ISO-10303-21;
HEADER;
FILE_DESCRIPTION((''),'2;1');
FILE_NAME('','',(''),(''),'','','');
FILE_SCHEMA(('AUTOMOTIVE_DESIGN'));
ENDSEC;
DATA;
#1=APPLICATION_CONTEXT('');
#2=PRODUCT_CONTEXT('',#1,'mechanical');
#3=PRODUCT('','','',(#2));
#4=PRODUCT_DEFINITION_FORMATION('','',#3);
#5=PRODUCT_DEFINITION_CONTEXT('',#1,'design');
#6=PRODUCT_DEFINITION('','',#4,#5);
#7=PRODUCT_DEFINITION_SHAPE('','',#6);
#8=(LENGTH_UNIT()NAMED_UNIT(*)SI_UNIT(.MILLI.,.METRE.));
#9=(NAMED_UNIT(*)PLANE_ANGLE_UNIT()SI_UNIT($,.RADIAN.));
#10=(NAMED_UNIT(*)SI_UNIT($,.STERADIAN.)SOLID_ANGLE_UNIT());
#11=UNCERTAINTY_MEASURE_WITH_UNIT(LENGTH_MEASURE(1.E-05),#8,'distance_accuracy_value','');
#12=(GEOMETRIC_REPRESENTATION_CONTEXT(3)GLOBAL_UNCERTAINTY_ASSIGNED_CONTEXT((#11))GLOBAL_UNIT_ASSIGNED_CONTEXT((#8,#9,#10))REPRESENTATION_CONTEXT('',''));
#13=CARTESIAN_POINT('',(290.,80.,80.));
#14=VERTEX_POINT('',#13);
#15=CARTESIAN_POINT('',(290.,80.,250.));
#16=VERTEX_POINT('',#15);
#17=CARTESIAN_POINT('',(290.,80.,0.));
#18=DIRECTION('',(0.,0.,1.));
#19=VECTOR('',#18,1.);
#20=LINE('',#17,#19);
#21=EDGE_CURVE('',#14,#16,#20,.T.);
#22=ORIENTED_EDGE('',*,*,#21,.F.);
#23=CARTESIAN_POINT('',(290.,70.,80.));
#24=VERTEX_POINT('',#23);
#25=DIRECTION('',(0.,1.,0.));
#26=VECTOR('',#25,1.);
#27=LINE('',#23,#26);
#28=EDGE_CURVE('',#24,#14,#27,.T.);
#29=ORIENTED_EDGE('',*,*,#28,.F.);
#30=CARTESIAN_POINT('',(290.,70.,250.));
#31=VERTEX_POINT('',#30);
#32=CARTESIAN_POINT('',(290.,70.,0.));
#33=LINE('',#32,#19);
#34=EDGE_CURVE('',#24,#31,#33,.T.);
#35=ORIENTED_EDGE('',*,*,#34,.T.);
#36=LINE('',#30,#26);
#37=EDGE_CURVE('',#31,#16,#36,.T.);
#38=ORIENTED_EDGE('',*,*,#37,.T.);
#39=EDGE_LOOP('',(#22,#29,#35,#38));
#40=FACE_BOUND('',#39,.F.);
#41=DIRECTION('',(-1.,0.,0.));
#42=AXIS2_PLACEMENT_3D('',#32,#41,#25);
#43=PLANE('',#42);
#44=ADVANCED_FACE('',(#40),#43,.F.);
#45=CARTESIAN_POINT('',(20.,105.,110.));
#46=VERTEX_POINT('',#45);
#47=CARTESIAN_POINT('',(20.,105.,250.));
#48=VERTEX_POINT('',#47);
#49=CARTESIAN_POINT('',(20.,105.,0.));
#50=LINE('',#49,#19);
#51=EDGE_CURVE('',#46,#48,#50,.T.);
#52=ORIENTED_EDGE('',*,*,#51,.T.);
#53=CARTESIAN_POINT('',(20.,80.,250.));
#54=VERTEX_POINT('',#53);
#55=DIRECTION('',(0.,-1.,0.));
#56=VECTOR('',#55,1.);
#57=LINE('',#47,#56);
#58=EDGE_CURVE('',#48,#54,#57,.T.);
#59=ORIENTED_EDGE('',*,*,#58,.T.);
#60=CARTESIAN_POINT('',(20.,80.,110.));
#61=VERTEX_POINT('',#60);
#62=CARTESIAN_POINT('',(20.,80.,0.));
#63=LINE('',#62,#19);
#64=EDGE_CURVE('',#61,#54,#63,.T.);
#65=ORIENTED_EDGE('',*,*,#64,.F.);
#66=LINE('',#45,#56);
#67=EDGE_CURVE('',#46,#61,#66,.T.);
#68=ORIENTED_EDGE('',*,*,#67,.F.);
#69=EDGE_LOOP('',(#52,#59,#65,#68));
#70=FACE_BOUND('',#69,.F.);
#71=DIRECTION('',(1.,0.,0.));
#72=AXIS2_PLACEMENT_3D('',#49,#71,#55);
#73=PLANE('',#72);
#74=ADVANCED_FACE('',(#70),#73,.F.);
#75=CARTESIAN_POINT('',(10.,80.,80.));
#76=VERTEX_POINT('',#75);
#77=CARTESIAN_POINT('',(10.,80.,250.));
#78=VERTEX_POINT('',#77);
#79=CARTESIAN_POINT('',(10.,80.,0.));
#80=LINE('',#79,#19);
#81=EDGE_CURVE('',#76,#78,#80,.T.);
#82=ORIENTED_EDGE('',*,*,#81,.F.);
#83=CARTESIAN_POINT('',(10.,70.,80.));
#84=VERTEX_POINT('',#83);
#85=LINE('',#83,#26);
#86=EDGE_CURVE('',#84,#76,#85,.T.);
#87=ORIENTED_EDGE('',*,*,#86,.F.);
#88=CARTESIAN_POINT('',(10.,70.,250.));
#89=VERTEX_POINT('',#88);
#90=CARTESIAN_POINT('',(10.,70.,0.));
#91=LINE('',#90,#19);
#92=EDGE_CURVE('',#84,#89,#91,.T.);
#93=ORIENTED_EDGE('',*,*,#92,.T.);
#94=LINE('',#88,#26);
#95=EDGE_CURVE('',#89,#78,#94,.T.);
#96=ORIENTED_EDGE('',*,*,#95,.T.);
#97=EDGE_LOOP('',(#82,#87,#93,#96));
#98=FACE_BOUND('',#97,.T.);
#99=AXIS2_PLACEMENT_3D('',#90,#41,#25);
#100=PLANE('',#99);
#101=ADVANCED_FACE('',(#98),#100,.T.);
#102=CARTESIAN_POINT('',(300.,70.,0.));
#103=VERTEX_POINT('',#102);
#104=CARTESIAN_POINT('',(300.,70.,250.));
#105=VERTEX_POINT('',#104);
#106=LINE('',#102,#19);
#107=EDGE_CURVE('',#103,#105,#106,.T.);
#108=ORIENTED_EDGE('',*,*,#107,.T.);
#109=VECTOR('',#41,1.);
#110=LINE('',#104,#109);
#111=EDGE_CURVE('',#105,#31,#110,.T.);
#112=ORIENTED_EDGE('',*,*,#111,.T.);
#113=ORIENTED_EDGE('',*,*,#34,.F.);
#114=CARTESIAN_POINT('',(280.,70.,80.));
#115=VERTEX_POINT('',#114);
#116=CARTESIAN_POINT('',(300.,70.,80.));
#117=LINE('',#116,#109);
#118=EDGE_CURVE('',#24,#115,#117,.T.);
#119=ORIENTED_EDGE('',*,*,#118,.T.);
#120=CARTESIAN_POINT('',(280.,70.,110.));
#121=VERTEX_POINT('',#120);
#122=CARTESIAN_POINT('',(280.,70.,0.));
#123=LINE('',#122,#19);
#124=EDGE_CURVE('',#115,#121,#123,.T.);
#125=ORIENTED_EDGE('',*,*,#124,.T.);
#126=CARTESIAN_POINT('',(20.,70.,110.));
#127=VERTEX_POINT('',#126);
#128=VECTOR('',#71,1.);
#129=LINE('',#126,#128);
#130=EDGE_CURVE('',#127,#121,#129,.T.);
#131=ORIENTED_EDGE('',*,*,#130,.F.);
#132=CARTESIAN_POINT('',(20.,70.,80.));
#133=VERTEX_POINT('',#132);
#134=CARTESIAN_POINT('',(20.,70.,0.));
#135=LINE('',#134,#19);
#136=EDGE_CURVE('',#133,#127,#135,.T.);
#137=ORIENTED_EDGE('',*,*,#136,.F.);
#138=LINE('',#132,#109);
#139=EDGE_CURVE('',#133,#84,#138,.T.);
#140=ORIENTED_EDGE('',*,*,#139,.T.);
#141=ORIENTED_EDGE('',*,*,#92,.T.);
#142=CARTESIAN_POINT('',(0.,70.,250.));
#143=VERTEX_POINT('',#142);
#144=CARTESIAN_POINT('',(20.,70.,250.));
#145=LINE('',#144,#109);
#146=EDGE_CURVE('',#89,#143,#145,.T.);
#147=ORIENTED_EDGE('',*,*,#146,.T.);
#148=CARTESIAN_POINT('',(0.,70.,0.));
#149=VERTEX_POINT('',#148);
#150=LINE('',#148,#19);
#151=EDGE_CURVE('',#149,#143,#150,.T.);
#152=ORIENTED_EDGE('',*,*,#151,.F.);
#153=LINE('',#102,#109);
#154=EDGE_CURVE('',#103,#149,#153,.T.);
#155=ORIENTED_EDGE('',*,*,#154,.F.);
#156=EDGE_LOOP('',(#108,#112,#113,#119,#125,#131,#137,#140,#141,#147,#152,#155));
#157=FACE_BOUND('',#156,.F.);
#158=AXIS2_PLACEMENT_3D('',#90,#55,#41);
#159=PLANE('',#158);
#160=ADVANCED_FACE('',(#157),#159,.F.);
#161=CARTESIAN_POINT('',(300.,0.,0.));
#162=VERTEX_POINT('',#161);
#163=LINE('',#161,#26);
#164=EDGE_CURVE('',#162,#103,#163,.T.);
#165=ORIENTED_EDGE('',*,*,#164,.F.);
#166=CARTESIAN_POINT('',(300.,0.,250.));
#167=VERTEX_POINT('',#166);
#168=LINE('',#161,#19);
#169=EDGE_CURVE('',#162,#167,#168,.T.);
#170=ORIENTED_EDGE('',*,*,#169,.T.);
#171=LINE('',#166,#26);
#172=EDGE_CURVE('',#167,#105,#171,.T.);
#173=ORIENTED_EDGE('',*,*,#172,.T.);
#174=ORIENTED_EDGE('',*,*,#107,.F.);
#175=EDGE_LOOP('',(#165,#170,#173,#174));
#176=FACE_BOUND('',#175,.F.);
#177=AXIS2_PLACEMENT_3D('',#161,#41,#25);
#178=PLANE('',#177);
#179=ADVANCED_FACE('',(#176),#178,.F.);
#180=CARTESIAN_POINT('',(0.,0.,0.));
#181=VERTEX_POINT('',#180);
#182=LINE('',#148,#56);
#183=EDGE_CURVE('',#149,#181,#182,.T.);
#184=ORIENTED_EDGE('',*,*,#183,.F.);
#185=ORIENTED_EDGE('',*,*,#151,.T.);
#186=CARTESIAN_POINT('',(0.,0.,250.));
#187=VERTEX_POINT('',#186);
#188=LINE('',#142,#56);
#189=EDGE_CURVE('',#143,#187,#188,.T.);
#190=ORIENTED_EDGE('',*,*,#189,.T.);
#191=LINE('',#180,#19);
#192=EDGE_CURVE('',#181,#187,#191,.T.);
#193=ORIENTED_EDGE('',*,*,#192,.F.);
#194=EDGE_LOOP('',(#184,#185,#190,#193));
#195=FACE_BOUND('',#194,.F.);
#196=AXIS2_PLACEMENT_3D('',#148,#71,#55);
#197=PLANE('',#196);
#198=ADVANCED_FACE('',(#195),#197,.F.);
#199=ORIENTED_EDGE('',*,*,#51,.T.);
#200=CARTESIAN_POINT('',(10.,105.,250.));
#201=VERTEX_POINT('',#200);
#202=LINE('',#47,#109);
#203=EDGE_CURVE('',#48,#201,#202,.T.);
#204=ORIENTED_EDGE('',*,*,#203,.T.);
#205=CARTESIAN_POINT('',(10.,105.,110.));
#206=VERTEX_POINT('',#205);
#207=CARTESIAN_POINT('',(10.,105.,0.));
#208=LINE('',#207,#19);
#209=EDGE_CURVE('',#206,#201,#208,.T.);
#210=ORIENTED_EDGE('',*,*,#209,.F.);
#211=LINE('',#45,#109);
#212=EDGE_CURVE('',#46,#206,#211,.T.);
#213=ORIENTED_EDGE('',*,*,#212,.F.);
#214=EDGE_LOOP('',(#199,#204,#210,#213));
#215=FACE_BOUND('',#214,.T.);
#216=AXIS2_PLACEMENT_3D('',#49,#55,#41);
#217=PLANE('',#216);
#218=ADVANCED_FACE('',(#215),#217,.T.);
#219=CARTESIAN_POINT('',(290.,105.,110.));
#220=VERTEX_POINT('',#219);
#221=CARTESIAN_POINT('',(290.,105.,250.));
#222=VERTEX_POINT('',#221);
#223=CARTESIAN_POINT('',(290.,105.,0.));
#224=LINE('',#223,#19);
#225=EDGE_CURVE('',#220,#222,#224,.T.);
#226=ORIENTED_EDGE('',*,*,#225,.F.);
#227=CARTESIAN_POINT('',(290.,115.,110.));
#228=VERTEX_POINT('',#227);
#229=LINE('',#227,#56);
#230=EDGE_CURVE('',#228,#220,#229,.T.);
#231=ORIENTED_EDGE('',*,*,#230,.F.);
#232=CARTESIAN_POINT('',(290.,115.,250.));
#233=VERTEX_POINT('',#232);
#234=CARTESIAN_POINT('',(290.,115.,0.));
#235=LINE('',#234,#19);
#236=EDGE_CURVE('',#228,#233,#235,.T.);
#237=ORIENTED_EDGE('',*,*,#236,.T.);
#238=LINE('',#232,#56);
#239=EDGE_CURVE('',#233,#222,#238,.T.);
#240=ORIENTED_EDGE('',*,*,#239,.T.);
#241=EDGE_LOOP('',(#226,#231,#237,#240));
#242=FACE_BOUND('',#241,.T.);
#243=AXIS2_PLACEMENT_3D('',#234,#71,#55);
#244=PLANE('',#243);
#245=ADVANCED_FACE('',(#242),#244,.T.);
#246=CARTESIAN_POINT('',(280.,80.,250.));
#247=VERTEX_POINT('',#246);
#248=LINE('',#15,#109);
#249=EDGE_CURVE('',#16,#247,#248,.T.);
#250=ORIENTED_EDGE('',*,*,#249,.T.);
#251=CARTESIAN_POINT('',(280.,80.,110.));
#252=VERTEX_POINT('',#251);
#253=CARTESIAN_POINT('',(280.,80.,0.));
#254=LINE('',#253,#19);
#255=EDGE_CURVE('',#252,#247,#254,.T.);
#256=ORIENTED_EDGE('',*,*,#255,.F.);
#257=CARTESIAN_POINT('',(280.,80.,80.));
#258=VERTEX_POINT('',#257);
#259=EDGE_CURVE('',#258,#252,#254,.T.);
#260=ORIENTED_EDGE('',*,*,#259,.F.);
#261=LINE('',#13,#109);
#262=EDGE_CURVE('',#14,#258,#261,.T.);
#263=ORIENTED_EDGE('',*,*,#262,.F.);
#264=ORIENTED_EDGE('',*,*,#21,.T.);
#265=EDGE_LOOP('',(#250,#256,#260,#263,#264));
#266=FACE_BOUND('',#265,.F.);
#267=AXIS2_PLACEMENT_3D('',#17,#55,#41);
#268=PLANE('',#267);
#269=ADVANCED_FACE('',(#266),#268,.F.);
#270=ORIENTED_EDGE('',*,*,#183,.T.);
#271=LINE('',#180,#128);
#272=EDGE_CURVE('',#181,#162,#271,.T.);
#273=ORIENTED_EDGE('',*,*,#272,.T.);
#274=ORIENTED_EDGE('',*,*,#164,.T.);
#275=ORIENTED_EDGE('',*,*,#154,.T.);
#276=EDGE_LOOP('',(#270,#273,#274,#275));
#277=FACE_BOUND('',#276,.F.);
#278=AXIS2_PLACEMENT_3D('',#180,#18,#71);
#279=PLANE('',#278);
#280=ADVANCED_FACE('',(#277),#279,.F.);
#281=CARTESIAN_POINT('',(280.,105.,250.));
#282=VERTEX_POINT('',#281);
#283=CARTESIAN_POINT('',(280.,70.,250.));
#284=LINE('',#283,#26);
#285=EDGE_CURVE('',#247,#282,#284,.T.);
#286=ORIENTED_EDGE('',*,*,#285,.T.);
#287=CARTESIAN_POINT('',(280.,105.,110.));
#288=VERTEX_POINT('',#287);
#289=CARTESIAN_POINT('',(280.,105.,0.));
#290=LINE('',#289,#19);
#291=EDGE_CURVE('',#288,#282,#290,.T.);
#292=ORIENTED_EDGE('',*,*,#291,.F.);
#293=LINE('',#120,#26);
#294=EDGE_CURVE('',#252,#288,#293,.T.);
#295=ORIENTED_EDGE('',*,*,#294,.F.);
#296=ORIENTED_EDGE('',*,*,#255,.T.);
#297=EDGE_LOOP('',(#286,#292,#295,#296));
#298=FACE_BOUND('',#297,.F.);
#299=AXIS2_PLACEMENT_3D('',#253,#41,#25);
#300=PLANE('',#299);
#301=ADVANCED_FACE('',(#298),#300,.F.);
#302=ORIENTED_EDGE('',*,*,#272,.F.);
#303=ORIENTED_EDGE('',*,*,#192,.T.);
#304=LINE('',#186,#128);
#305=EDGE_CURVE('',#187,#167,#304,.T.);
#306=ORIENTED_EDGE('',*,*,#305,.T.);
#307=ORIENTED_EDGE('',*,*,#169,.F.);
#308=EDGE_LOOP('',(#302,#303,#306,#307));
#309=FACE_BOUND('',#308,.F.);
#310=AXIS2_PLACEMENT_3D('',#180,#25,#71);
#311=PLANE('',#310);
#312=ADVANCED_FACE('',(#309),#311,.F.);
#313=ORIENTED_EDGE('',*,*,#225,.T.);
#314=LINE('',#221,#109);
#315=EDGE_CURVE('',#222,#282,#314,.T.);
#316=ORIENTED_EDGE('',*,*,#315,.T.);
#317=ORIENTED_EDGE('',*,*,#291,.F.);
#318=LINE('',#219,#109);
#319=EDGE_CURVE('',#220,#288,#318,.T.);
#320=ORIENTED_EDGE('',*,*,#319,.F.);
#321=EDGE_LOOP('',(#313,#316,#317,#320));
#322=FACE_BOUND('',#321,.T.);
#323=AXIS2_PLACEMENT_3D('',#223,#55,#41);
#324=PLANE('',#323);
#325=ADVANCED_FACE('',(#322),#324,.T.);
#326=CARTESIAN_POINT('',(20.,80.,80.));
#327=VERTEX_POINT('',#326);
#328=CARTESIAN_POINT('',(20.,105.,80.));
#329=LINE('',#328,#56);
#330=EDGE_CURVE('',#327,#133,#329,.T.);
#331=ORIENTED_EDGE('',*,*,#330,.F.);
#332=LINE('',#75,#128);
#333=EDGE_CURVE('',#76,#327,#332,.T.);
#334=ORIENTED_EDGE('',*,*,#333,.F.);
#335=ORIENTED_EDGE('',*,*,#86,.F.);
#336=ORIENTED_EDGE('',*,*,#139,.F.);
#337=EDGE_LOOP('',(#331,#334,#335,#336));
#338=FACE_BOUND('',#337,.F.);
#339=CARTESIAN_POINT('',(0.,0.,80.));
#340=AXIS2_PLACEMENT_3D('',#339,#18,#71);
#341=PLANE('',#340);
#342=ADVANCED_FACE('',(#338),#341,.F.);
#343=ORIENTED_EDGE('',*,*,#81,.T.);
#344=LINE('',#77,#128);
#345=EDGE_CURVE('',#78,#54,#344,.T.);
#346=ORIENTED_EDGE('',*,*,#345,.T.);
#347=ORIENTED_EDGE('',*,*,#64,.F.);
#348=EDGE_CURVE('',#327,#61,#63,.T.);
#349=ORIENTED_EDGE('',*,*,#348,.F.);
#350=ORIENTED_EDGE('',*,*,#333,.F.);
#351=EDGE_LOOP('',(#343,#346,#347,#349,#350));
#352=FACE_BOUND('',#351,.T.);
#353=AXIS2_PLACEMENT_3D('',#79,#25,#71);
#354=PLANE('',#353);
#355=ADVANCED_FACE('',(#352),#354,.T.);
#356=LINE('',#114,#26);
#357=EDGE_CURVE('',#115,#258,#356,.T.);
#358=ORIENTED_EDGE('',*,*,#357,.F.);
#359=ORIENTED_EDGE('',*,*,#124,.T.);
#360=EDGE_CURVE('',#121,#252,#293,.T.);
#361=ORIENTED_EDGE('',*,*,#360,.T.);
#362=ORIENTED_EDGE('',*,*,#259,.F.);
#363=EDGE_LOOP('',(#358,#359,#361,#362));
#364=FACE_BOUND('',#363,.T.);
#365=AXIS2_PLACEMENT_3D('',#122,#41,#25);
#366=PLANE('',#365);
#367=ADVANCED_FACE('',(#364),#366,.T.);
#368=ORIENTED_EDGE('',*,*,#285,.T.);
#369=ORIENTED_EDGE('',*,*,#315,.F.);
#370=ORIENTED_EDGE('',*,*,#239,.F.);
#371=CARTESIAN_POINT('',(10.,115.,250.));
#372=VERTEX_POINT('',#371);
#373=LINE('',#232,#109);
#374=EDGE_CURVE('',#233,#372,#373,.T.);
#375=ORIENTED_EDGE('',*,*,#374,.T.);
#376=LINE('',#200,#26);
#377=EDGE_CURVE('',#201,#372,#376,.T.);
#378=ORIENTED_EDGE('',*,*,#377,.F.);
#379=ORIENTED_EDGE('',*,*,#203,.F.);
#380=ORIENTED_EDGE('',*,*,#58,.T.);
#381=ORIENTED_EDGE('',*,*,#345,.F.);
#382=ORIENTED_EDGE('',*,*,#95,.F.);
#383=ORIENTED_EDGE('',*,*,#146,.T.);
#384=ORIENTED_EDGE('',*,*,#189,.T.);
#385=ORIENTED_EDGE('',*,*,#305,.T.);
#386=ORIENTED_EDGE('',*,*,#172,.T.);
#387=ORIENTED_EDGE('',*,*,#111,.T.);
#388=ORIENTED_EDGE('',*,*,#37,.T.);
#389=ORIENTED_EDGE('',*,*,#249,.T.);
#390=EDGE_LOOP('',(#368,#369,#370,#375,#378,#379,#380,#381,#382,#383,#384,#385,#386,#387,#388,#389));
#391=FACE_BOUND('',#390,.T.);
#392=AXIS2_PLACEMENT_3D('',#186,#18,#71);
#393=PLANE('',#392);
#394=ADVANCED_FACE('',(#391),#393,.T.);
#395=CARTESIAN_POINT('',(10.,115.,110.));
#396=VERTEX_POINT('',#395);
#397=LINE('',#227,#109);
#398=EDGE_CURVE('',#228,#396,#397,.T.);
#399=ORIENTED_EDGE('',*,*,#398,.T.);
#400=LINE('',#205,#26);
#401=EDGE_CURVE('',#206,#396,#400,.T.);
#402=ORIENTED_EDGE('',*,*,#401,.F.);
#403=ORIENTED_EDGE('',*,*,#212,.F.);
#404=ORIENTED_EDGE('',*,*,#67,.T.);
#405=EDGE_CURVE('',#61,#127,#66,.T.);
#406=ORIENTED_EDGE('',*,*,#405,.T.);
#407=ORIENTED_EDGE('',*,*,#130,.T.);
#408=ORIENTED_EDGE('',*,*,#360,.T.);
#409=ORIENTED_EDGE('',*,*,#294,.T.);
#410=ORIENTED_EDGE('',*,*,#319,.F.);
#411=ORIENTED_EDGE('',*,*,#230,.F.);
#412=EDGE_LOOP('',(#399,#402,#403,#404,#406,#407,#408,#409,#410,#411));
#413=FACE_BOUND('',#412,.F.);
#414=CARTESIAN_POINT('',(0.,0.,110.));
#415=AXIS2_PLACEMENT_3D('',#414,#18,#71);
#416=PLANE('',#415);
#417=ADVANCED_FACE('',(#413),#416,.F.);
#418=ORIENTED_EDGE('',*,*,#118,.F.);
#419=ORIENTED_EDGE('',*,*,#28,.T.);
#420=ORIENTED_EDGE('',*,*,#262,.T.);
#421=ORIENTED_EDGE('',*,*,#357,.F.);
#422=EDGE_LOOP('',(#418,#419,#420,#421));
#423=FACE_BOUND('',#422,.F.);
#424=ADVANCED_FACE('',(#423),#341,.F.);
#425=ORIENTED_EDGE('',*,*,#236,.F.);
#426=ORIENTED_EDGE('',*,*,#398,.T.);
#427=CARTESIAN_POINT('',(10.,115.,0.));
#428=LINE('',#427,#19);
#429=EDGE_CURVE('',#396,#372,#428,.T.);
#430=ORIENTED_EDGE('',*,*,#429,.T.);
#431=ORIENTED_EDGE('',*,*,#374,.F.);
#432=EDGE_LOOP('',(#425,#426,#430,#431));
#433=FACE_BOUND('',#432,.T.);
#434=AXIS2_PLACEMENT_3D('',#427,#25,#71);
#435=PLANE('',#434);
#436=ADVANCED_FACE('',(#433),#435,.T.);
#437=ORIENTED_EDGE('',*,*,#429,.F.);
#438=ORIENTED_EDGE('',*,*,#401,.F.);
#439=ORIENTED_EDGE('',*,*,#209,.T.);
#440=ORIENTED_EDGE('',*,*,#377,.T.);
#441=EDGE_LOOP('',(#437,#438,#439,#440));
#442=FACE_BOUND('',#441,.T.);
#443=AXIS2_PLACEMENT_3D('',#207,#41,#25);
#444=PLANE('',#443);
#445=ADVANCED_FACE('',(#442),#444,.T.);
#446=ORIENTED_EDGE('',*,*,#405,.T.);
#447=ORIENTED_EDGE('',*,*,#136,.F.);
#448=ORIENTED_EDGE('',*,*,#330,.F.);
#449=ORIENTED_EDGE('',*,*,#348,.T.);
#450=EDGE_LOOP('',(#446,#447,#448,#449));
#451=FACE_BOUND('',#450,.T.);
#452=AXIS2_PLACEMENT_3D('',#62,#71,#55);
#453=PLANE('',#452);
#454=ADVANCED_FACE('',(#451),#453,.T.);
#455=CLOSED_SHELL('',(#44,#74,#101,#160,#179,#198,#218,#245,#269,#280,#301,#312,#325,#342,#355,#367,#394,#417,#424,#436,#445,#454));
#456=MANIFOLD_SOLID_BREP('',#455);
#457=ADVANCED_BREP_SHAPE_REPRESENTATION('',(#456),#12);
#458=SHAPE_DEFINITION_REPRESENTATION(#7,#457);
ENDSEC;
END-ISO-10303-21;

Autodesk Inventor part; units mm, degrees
ref_plane "YZ Plane" through (0, 0, 0) normal (1, 0, 0) x (0, 1, 0)
ref_plane "XZ Plane" through (0, 0, 0) normal (0, 1, 0) x (-1, 0, 0)
ref_plane "XY Plane" through (0, 0, 0) normal (0, 0, 1) x (1, 0, 0)
sketch "스케치1" plane through (0, 0, 0) normal (0, 0, 1) x (1, 0, 0)
  line L0 (0, 0) -> (300, 0)
  line L1 (300, 0) -> (300, 70)
  line L2 (300, 70) -> (280, 70)
  line L3 (280, 70) -> (280, 105)
  line L4 (20, 105) -> (20, 70)
  line L5 (20, 70) -> (0, 70)
  line L6 (0, 70) -> (0, 0)
  line L7 (20, 105) -> (10, 105)
  line L8 (10, 105) -> (10, 115)
  line L9 (10, 115) -> (290, 115)
  line L10 (290, 115) -> (290, 105)
  line L11 (290, 105) -> (280, 105)
  line L12 (20, 70) -> (280, 70)
  line L13 (10, 70) -> (10, 80)
  line L14 (10, 80) -> (20, 80)
  line L15 (150, 115) -> (150, 100)
  line L16 (290, 70) -> (290, 80)
  line L17 (290, 80) -> (280, 80)
  point P0 (150, 0)
  dimension "d0" = 300
  dimension "d1" = 70
  dimension "d2" = 35
  dimension "d3" = 20
  dimension "d4" = 10
  dimension "d5" = 10
  dimension "d10" = 10
extrude "돌출1" add sketch "스케치1" along normal blind 250
extrude "돌출2" cut sketch "스케치1" along normal blind 110 contours L4 L7 L8 L9 L10 L11 L3 L12
extrude "돌출3" cut sketch "스케치1" along normal blind 80 contours L13 L14 L4 L5 | L2 L3 L17 L16
properties part number "DummyModule"
